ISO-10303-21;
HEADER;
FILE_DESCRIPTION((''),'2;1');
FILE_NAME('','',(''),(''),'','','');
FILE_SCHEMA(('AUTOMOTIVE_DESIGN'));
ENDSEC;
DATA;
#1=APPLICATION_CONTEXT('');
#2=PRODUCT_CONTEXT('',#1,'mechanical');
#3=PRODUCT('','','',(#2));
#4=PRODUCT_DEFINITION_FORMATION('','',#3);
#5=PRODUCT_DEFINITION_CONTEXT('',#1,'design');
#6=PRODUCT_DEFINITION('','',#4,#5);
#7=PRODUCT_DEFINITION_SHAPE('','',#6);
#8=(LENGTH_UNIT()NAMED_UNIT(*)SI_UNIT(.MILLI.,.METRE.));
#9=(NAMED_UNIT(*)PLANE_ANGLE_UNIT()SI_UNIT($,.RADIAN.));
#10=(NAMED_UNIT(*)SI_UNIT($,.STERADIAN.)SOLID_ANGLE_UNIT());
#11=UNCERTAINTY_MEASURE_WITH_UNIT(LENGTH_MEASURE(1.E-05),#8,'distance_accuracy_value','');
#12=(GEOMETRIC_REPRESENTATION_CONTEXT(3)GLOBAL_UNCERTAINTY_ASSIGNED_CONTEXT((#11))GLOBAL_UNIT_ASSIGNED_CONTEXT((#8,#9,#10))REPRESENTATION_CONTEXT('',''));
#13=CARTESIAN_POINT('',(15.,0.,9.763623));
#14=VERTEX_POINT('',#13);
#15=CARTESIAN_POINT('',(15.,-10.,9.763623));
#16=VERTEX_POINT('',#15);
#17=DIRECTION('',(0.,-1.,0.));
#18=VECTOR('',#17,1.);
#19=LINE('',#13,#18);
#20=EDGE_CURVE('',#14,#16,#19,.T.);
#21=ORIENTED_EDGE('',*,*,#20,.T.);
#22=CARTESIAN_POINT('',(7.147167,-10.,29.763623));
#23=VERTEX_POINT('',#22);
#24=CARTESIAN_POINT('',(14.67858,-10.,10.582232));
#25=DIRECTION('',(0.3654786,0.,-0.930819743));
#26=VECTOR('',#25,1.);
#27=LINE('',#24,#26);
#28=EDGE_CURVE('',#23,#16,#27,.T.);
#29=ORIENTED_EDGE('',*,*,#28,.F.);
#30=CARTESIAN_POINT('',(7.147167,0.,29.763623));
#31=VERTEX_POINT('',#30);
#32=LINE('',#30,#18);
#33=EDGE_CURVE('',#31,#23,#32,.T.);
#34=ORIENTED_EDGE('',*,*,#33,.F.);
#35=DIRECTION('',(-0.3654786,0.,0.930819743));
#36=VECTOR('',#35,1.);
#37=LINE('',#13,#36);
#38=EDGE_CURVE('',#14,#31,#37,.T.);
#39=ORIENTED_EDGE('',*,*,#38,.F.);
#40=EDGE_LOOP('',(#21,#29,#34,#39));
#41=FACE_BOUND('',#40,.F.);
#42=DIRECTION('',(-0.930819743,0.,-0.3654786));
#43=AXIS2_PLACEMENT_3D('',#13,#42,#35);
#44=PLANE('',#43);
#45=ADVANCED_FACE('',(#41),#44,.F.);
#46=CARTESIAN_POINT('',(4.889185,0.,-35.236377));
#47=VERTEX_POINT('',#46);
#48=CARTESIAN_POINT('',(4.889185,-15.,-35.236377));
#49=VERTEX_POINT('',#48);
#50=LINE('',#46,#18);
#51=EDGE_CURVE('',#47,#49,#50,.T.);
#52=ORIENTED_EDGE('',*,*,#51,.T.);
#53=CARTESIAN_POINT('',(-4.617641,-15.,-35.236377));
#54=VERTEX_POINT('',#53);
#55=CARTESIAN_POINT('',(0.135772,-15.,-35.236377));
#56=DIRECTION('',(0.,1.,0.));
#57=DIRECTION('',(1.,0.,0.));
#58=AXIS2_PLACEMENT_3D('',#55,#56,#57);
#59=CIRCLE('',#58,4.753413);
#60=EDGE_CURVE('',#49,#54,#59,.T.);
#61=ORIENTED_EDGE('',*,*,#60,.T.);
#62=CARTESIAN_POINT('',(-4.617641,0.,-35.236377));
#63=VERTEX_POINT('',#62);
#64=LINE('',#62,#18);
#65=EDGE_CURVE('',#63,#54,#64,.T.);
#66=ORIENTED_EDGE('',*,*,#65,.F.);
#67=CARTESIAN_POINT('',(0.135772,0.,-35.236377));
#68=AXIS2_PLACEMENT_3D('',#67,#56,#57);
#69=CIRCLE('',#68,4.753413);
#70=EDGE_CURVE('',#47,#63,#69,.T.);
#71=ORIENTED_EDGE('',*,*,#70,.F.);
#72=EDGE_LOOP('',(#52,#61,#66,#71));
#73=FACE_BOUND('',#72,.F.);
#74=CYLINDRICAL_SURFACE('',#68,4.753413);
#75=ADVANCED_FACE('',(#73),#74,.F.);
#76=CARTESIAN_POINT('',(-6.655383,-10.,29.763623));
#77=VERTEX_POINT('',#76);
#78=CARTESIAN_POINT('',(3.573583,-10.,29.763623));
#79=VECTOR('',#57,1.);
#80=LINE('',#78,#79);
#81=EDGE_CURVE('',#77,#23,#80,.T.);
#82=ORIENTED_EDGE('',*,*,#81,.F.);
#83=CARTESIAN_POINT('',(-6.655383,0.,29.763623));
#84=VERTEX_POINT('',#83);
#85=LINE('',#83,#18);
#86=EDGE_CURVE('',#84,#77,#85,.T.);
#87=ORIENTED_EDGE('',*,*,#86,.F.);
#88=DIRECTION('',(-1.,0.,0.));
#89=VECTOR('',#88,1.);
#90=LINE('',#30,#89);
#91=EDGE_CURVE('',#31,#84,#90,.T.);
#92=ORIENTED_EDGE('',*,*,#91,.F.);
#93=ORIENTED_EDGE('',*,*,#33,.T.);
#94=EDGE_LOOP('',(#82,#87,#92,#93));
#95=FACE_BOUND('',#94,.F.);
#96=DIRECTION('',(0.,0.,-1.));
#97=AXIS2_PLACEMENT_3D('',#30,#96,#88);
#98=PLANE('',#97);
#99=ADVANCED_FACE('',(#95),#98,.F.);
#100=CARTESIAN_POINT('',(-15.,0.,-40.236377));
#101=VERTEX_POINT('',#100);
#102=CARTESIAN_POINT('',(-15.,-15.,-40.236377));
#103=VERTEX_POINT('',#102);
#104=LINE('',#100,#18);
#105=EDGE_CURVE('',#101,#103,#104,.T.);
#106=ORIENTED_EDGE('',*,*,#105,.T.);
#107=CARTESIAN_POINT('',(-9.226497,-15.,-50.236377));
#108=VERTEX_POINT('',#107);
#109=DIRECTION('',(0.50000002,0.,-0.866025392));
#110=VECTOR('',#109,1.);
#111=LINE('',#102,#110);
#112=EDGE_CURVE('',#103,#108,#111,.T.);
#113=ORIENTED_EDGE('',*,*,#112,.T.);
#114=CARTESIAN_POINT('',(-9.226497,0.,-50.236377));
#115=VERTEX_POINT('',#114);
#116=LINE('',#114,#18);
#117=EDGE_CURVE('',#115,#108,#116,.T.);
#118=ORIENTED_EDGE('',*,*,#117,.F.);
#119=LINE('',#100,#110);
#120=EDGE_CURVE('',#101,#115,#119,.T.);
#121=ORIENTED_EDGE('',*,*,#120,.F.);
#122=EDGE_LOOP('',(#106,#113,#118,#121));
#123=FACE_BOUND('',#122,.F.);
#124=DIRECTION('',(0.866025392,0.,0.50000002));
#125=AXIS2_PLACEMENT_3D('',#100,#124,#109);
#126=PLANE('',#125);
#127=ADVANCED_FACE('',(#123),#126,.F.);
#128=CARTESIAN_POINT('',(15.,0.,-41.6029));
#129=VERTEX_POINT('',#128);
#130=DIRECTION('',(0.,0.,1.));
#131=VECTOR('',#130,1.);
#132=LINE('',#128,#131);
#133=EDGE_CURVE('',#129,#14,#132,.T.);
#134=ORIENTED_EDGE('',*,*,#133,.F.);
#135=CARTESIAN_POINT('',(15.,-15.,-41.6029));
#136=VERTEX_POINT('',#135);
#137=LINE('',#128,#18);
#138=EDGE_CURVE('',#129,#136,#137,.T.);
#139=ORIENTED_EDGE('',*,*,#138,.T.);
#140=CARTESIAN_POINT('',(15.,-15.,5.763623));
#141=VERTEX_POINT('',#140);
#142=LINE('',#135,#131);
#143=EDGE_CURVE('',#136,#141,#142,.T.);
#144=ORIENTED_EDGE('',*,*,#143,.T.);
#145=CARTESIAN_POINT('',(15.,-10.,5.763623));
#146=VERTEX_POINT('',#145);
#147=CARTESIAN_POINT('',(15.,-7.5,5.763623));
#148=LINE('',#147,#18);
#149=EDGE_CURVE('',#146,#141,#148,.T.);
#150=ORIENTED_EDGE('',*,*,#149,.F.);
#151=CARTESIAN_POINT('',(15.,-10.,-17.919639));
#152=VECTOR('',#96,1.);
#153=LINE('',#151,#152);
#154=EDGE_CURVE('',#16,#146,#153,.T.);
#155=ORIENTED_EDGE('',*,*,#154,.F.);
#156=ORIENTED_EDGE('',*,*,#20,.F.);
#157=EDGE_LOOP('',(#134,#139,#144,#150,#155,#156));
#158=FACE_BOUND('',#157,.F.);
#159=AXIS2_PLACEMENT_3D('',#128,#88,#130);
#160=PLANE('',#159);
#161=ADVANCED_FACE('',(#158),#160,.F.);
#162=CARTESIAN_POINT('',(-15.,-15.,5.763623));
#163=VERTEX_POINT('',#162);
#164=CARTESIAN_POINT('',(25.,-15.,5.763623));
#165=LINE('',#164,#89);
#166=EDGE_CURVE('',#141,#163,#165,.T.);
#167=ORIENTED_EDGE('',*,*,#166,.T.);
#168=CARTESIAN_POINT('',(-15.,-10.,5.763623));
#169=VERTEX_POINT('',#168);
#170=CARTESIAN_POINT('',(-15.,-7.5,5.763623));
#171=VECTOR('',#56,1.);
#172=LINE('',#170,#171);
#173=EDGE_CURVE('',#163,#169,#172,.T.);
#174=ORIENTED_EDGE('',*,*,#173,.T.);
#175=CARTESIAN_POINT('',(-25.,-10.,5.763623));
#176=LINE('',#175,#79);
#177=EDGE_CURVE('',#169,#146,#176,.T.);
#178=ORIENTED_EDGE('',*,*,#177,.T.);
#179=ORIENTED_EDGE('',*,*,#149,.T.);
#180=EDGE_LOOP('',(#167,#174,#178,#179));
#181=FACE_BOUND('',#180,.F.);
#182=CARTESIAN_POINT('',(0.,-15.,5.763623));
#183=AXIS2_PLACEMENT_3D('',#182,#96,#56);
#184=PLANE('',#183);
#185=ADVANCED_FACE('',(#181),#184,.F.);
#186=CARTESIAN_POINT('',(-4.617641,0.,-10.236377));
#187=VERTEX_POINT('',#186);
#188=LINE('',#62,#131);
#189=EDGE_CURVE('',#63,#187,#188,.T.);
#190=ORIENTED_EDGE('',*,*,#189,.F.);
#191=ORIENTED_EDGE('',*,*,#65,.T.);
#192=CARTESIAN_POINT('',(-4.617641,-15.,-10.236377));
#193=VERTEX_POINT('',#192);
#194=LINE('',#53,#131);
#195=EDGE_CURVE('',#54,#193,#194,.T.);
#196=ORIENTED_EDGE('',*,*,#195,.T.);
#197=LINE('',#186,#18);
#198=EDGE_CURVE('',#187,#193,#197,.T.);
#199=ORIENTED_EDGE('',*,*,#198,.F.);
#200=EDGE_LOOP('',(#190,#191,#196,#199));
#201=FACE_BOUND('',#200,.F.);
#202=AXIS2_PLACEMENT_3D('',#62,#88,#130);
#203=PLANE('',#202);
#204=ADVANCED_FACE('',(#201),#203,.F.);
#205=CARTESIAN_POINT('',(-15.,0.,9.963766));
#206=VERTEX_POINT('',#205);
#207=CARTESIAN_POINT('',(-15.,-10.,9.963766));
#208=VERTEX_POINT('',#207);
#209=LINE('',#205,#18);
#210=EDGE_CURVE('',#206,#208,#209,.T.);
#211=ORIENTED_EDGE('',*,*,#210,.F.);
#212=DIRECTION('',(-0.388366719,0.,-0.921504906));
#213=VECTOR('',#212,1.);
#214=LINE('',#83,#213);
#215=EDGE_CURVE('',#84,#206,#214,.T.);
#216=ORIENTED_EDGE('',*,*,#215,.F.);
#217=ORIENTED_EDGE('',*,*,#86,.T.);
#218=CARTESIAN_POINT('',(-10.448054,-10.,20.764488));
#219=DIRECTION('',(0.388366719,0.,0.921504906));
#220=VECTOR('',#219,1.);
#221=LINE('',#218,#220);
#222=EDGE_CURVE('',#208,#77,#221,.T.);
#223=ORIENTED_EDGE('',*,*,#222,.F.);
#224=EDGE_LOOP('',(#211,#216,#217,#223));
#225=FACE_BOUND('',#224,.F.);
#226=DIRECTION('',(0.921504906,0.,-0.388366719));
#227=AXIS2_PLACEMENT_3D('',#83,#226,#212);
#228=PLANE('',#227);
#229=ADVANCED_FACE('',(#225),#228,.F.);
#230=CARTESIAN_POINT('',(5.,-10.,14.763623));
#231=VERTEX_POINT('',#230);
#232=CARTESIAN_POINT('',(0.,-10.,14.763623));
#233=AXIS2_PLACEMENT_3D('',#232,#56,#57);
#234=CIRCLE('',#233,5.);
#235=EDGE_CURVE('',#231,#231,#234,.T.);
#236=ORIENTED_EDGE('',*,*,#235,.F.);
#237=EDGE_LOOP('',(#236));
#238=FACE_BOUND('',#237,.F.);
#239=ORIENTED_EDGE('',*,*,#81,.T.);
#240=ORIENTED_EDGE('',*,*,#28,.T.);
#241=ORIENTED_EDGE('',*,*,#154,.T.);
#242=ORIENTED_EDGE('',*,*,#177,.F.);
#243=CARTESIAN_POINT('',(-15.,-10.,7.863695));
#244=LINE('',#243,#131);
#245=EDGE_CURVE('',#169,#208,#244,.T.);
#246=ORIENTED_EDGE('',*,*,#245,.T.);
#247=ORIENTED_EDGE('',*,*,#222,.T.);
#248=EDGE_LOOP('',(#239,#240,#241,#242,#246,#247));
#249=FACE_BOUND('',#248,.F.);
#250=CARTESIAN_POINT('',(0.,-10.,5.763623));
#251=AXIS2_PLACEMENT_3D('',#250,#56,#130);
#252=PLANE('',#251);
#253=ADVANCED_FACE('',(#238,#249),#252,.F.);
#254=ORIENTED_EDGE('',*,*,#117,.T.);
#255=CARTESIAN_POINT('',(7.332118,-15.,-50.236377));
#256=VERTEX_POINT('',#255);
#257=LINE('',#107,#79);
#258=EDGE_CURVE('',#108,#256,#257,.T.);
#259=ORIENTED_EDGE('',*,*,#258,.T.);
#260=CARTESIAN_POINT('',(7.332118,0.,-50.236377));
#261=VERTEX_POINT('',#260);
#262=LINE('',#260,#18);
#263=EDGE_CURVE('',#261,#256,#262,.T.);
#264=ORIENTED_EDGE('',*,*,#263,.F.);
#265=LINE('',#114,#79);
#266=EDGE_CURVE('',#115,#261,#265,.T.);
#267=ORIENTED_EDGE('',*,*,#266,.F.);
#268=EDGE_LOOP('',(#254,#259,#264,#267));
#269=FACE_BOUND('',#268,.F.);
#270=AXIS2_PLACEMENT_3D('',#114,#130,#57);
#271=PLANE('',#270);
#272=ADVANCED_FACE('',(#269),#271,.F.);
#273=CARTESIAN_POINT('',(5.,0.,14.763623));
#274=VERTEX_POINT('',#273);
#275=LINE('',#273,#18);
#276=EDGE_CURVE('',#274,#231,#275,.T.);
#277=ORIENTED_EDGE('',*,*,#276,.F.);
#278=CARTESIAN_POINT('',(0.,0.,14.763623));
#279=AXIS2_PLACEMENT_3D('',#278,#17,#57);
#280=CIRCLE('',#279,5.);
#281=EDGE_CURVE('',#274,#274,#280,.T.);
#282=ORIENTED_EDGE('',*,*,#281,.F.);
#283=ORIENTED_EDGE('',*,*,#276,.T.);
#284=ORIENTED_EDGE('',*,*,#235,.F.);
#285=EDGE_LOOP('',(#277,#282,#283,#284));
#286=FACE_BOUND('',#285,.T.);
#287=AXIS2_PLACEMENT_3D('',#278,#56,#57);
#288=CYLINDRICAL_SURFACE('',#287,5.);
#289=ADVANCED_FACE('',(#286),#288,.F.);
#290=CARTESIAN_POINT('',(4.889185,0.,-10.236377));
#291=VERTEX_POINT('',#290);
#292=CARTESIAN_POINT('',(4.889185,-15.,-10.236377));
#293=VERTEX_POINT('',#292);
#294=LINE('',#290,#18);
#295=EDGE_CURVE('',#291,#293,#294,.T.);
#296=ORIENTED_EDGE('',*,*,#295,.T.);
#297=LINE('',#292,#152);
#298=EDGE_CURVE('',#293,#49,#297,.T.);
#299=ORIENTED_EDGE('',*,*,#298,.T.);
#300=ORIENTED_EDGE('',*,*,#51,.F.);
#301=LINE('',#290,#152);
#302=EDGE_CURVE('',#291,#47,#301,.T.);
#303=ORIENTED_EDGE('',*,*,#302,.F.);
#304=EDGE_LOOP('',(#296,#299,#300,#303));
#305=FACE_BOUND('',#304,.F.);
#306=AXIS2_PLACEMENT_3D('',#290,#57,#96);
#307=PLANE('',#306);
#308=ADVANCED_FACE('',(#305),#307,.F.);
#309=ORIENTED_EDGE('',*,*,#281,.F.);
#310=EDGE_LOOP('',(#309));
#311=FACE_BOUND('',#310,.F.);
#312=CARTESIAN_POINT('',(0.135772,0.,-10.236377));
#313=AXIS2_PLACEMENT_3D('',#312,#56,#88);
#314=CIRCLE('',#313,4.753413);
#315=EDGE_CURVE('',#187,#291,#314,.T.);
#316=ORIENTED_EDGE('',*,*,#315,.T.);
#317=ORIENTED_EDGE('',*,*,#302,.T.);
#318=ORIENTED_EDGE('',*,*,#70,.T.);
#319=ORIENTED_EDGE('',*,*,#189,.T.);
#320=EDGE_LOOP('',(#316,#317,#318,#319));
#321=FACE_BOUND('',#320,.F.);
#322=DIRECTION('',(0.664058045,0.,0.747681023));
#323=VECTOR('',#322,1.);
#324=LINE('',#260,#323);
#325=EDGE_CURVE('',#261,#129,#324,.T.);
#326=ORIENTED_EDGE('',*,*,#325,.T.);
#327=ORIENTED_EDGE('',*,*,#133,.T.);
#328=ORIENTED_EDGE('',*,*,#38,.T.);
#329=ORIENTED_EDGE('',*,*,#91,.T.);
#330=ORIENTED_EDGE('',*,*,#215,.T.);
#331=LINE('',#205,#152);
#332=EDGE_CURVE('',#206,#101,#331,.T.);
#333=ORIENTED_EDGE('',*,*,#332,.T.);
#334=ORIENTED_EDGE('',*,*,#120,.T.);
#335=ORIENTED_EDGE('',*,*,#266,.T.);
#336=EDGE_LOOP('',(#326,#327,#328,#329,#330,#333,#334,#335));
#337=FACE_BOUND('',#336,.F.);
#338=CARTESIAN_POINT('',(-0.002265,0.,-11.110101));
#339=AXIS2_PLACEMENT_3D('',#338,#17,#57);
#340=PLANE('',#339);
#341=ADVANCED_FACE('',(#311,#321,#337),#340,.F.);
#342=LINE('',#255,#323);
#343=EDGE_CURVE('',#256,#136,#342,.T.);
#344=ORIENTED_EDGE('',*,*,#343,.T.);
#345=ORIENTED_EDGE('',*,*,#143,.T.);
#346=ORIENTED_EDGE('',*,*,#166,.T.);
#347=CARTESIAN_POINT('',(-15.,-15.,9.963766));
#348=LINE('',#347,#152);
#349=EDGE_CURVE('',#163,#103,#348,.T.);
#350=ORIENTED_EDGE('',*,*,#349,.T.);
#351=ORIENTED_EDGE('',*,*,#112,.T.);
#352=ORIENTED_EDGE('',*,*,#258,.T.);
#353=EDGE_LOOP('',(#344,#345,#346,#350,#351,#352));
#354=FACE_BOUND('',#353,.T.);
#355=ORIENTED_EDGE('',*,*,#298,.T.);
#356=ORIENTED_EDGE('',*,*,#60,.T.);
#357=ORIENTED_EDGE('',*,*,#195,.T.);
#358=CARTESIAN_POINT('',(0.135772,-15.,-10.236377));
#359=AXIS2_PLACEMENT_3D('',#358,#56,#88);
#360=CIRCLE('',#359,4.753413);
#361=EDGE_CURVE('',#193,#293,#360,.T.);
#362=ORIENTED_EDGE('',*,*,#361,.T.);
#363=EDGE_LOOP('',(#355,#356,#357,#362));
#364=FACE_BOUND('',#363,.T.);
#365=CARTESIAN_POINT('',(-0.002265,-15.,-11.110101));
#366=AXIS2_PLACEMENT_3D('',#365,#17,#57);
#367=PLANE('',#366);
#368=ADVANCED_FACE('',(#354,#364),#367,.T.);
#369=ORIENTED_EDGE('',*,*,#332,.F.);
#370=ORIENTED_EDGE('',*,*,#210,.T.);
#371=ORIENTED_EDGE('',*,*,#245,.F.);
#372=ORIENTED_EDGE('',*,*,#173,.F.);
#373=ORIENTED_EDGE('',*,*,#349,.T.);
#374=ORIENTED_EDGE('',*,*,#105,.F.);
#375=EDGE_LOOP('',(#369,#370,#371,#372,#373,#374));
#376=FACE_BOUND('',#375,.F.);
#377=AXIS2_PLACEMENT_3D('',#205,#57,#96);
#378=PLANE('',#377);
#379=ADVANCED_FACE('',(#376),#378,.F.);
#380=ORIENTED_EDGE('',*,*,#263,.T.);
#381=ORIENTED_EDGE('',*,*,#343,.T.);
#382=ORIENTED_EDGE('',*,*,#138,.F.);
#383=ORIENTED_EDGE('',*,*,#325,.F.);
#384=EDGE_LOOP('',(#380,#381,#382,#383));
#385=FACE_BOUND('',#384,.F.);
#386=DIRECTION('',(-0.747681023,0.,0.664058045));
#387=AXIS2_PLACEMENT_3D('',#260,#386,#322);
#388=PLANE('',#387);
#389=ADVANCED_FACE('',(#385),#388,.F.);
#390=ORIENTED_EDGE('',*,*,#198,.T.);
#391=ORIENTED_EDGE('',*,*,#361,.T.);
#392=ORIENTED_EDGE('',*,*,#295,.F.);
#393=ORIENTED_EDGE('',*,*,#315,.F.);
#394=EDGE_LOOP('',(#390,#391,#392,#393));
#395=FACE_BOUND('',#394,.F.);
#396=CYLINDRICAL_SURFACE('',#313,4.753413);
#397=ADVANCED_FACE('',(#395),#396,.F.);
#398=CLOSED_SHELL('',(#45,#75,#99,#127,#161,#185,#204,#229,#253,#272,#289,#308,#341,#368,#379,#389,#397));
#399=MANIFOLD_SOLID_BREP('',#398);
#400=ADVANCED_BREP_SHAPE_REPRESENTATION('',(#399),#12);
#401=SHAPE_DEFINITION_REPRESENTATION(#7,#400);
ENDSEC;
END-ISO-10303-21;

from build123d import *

# Parameters (mm, degrees)
F0_R     = 5
F1_DEPTH = 15
F3_DEPTH = 25


with BuildPart() as f1:
    # F0 (on Front) → F1 (new body)
    with BuildSketch(Plane.XZ):
        Polygon((-9.226497, -50.236377), (7.332118, -50.236377), (15, -41.6029), (15, 9.763623), (7.147167, 29.763623), (-6.655383, 29.763623), (-15, 9.963766), (-15, -40.236377), align=None)
        with BuildLine():
            Line((-4.617641, -35.236377), (-4.617641, -10.236377))
            ThreePointArc((-4.617641, -10.236377), (0.135772, -5.482964), (4.889185, -10.236377))
            Line((4.889185, -10.236377), (4.889185, -35.236377))
            ThreePointArc((4.889185, -35.236377), (0.135772, -39.98979), (-4.617641, -35.236377))
        make_face(mode=Mode.SUBTRACT)
        with Locations((0, 14.763623)):
            Circle(F0_R, mode=Mode.SUBTRACT)
    extrude(amount=F1_DEPTH)

    # F2 (on Right) → F3 (cut, symmetric)
    with BuildSketch(Plane.YZ):
        Polygon((-15, 9.763623), (-15, 5.763623), (-10, 5.763623), (-10, 39.44074), (-15, 39.44074), align=None)
    extrude(amount=F3_DEPTH, both=True, mode=Mode.SUBTRACT)


solid = f1.part
